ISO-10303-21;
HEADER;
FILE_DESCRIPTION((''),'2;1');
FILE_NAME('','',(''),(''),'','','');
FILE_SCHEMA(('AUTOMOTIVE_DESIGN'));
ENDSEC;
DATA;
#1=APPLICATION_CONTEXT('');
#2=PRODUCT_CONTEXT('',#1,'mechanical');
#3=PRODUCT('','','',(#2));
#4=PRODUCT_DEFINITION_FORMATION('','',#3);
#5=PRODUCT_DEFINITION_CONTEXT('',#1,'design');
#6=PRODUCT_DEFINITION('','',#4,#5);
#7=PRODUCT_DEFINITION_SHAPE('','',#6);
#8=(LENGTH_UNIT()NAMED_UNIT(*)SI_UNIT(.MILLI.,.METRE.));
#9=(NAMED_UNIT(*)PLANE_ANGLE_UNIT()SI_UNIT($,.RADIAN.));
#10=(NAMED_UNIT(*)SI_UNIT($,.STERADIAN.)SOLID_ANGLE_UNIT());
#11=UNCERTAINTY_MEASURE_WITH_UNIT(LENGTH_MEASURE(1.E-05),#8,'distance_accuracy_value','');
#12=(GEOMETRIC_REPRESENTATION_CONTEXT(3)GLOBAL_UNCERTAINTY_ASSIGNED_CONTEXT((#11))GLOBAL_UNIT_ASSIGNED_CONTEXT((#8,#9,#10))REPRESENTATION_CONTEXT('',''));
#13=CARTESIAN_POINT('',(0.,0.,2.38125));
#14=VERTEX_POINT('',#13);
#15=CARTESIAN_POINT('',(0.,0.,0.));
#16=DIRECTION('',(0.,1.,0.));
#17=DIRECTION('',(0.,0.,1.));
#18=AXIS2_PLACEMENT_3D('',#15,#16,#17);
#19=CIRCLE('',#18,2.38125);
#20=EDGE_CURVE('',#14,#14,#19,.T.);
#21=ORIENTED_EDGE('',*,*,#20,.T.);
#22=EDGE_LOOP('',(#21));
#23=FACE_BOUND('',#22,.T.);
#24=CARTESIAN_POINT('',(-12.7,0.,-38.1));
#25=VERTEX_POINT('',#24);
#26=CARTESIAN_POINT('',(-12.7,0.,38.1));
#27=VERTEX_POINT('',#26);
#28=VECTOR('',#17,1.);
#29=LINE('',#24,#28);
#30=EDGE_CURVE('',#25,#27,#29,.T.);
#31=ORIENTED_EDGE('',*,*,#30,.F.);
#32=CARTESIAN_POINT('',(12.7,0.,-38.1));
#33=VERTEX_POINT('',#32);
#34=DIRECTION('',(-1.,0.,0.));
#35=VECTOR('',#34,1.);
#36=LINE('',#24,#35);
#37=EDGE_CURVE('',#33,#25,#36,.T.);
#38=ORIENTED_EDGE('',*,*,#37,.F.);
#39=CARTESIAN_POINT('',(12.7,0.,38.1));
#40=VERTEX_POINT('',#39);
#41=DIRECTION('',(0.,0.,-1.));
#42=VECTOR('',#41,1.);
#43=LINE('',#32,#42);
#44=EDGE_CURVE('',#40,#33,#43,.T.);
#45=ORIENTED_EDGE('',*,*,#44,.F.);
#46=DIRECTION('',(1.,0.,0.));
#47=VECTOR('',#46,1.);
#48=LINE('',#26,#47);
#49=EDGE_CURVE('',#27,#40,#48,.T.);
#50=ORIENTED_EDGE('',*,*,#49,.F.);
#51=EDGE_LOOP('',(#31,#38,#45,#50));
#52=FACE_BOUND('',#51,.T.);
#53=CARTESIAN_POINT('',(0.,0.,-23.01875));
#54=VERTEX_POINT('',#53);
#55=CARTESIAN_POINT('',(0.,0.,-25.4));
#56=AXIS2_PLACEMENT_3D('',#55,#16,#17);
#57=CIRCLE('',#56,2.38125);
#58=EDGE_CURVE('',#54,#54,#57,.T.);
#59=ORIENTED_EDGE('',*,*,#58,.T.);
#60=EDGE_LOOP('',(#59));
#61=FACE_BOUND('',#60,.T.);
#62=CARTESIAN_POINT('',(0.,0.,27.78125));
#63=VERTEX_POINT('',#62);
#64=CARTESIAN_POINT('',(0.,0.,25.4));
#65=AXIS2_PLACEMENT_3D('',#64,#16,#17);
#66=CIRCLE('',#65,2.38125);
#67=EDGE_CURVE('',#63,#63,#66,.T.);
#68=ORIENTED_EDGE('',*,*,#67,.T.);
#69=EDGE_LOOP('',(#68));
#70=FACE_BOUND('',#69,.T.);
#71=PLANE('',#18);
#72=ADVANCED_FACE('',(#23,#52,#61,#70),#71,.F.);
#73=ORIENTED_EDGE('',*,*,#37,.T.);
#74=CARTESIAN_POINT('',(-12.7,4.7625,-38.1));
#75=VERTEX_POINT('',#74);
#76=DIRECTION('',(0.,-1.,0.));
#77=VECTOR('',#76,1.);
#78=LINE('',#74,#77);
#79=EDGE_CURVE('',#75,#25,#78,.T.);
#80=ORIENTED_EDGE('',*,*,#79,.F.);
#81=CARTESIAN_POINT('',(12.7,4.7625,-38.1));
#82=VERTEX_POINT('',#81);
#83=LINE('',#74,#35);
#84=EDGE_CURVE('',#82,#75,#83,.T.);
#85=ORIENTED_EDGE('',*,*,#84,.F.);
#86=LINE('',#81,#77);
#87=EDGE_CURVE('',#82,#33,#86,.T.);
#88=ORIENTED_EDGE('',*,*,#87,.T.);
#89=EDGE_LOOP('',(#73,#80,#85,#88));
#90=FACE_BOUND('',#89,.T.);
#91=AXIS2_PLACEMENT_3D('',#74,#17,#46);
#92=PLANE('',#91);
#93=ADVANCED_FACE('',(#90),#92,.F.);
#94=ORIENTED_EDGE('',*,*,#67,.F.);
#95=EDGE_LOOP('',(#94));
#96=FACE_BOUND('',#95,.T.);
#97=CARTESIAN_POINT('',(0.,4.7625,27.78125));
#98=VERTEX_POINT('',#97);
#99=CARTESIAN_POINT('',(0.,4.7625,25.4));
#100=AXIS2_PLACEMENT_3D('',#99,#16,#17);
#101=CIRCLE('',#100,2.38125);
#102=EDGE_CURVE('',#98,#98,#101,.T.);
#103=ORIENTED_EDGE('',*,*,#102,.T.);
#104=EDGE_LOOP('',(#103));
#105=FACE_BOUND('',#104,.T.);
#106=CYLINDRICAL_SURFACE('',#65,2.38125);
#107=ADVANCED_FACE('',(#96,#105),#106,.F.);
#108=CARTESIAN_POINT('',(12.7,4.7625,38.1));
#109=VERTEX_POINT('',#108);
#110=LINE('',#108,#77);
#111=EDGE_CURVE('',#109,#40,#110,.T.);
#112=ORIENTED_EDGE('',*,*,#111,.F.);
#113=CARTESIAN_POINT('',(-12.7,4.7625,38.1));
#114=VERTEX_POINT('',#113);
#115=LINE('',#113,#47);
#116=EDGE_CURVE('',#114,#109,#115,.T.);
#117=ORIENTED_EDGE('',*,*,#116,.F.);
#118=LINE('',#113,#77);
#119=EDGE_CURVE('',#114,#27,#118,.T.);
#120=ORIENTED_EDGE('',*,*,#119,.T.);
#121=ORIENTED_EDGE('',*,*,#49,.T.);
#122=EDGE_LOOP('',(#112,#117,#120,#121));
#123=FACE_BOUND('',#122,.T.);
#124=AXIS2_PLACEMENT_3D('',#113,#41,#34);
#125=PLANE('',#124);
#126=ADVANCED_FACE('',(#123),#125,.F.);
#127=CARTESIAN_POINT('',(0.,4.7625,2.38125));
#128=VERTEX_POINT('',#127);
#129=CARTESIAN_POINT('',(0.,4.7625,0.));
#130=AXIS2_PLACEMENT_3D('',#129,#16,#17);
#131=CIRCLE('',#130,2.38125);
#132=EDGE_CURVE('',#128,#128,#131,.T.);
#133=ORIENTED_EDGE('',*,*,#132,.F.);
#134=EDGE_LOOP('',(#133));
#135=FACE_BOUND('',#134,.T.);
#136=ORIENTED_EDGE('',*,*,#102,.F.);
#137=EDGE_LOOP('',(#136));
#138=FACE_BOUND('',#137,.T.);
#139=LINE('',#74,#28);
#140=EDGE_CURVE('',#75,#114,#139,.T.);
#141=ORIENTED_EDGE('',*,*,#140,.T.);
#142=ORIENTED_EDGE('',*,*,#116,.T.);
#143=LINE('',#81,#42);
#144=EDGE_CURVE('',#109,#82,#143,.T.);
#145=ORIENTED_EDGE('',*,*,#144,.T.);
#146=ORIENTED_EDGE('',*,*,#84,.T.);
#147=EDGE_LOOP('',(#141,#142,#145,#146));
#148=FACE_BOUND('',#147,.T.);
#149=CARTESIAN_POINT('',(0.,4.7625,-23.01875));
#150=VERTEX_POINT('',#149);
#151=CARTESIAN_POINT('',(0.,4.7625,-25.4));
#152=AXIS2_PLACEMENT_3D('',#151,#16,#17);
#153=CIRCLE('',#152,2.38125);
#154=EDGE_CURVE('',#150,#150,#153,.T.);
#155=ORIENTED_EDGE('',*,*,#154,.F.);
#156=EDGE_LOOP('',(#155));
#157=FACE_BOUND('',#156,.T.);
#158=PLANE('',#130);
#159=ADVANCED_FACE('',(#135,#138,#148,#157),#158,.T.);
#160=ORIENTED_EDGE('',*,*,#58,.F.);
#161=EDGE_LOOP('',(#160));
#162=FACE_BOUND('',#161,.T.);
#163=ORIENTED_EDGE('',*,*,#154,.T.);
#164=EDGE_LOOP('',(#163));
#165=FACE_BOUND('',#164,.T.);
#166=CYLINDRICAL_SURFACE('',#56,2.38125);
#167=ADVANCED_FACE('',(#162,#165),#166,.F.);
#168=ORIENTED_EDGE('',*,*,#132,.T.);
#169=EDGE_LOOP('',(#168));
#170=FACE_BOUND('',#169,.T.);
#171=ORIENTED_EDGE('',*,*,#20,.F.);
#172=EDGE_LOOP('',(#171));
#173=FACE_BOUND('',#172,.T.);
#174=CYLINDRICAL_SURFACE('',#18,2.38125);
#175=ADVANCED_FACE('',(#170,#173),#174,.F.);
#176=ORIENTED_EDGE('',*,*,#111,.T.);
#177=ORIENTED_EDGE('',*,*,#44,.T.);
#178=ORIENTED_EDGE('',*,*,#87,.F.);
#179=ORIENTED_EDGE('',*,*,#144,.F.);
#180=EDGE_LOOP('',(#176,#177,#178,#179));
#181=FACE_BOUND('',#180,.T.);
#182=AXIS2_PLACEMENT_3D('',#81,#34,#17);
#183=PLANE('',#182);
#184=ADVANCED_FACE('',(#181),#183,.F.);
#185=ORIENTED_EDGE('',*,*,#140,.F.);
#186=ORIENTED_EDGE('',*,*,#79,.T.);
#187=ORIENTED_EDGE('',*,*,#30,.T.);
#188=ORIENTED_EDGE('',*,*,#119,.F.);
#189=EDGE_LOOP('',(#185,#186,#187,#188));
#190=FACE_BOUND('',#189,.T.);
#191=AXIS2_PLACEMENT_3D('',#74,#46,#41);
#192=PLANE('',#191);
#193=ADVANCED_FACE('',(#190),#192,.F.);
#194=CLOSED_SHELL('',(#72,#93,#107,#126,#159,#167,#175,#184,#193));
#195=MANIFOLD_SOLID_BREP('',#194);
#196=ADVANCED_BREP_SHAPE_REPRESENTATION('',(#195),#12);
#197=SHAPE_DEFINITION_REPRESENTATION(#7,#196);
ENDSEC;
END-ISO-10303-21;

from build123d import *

# Parameters (mm, degrees)
SKETCH1_W           = 25.4
SKETCH1_H           = 76.2
BOSS_EXTRUDE1_DEPTH = 4.7625
SKETCH2_R           = 2.38125
CUT_EXTRUDE1_DEPTH  = 5.7625


with BuildPart() as part:
    # Sketch1 → Boss-Extrude1 (new body)
    with BuildSketch(Plane(origin=(0, 0, 0), x_dir=(1, 0, 0), z_dir=(0, 1, 0))):
        Rectangle(SKETCH1_W, SKETCH1_H)
    extrude(amount=BOSS_EXTRUDE1_DEPTH)

    # Sketch2 → Cut-Extrude1 (cut, through all)
    with BuildSketch(Plane(origin=(0, 4.7625, 0), x_dir=(1, 0, 0), z_dir=(0, 1, 0))):
        with Locations((0, 25.4)):
            Circle(SKETCH2_R)
        Circle(SKETCH2_R)
        with Locations((0, -25.4)):
            Circle(SKETCH2_R)
    extrude(amount=-CUT_EXTRUDE1_DEPTH, mode=Mode.SUBTRACT)


solid = part.part
